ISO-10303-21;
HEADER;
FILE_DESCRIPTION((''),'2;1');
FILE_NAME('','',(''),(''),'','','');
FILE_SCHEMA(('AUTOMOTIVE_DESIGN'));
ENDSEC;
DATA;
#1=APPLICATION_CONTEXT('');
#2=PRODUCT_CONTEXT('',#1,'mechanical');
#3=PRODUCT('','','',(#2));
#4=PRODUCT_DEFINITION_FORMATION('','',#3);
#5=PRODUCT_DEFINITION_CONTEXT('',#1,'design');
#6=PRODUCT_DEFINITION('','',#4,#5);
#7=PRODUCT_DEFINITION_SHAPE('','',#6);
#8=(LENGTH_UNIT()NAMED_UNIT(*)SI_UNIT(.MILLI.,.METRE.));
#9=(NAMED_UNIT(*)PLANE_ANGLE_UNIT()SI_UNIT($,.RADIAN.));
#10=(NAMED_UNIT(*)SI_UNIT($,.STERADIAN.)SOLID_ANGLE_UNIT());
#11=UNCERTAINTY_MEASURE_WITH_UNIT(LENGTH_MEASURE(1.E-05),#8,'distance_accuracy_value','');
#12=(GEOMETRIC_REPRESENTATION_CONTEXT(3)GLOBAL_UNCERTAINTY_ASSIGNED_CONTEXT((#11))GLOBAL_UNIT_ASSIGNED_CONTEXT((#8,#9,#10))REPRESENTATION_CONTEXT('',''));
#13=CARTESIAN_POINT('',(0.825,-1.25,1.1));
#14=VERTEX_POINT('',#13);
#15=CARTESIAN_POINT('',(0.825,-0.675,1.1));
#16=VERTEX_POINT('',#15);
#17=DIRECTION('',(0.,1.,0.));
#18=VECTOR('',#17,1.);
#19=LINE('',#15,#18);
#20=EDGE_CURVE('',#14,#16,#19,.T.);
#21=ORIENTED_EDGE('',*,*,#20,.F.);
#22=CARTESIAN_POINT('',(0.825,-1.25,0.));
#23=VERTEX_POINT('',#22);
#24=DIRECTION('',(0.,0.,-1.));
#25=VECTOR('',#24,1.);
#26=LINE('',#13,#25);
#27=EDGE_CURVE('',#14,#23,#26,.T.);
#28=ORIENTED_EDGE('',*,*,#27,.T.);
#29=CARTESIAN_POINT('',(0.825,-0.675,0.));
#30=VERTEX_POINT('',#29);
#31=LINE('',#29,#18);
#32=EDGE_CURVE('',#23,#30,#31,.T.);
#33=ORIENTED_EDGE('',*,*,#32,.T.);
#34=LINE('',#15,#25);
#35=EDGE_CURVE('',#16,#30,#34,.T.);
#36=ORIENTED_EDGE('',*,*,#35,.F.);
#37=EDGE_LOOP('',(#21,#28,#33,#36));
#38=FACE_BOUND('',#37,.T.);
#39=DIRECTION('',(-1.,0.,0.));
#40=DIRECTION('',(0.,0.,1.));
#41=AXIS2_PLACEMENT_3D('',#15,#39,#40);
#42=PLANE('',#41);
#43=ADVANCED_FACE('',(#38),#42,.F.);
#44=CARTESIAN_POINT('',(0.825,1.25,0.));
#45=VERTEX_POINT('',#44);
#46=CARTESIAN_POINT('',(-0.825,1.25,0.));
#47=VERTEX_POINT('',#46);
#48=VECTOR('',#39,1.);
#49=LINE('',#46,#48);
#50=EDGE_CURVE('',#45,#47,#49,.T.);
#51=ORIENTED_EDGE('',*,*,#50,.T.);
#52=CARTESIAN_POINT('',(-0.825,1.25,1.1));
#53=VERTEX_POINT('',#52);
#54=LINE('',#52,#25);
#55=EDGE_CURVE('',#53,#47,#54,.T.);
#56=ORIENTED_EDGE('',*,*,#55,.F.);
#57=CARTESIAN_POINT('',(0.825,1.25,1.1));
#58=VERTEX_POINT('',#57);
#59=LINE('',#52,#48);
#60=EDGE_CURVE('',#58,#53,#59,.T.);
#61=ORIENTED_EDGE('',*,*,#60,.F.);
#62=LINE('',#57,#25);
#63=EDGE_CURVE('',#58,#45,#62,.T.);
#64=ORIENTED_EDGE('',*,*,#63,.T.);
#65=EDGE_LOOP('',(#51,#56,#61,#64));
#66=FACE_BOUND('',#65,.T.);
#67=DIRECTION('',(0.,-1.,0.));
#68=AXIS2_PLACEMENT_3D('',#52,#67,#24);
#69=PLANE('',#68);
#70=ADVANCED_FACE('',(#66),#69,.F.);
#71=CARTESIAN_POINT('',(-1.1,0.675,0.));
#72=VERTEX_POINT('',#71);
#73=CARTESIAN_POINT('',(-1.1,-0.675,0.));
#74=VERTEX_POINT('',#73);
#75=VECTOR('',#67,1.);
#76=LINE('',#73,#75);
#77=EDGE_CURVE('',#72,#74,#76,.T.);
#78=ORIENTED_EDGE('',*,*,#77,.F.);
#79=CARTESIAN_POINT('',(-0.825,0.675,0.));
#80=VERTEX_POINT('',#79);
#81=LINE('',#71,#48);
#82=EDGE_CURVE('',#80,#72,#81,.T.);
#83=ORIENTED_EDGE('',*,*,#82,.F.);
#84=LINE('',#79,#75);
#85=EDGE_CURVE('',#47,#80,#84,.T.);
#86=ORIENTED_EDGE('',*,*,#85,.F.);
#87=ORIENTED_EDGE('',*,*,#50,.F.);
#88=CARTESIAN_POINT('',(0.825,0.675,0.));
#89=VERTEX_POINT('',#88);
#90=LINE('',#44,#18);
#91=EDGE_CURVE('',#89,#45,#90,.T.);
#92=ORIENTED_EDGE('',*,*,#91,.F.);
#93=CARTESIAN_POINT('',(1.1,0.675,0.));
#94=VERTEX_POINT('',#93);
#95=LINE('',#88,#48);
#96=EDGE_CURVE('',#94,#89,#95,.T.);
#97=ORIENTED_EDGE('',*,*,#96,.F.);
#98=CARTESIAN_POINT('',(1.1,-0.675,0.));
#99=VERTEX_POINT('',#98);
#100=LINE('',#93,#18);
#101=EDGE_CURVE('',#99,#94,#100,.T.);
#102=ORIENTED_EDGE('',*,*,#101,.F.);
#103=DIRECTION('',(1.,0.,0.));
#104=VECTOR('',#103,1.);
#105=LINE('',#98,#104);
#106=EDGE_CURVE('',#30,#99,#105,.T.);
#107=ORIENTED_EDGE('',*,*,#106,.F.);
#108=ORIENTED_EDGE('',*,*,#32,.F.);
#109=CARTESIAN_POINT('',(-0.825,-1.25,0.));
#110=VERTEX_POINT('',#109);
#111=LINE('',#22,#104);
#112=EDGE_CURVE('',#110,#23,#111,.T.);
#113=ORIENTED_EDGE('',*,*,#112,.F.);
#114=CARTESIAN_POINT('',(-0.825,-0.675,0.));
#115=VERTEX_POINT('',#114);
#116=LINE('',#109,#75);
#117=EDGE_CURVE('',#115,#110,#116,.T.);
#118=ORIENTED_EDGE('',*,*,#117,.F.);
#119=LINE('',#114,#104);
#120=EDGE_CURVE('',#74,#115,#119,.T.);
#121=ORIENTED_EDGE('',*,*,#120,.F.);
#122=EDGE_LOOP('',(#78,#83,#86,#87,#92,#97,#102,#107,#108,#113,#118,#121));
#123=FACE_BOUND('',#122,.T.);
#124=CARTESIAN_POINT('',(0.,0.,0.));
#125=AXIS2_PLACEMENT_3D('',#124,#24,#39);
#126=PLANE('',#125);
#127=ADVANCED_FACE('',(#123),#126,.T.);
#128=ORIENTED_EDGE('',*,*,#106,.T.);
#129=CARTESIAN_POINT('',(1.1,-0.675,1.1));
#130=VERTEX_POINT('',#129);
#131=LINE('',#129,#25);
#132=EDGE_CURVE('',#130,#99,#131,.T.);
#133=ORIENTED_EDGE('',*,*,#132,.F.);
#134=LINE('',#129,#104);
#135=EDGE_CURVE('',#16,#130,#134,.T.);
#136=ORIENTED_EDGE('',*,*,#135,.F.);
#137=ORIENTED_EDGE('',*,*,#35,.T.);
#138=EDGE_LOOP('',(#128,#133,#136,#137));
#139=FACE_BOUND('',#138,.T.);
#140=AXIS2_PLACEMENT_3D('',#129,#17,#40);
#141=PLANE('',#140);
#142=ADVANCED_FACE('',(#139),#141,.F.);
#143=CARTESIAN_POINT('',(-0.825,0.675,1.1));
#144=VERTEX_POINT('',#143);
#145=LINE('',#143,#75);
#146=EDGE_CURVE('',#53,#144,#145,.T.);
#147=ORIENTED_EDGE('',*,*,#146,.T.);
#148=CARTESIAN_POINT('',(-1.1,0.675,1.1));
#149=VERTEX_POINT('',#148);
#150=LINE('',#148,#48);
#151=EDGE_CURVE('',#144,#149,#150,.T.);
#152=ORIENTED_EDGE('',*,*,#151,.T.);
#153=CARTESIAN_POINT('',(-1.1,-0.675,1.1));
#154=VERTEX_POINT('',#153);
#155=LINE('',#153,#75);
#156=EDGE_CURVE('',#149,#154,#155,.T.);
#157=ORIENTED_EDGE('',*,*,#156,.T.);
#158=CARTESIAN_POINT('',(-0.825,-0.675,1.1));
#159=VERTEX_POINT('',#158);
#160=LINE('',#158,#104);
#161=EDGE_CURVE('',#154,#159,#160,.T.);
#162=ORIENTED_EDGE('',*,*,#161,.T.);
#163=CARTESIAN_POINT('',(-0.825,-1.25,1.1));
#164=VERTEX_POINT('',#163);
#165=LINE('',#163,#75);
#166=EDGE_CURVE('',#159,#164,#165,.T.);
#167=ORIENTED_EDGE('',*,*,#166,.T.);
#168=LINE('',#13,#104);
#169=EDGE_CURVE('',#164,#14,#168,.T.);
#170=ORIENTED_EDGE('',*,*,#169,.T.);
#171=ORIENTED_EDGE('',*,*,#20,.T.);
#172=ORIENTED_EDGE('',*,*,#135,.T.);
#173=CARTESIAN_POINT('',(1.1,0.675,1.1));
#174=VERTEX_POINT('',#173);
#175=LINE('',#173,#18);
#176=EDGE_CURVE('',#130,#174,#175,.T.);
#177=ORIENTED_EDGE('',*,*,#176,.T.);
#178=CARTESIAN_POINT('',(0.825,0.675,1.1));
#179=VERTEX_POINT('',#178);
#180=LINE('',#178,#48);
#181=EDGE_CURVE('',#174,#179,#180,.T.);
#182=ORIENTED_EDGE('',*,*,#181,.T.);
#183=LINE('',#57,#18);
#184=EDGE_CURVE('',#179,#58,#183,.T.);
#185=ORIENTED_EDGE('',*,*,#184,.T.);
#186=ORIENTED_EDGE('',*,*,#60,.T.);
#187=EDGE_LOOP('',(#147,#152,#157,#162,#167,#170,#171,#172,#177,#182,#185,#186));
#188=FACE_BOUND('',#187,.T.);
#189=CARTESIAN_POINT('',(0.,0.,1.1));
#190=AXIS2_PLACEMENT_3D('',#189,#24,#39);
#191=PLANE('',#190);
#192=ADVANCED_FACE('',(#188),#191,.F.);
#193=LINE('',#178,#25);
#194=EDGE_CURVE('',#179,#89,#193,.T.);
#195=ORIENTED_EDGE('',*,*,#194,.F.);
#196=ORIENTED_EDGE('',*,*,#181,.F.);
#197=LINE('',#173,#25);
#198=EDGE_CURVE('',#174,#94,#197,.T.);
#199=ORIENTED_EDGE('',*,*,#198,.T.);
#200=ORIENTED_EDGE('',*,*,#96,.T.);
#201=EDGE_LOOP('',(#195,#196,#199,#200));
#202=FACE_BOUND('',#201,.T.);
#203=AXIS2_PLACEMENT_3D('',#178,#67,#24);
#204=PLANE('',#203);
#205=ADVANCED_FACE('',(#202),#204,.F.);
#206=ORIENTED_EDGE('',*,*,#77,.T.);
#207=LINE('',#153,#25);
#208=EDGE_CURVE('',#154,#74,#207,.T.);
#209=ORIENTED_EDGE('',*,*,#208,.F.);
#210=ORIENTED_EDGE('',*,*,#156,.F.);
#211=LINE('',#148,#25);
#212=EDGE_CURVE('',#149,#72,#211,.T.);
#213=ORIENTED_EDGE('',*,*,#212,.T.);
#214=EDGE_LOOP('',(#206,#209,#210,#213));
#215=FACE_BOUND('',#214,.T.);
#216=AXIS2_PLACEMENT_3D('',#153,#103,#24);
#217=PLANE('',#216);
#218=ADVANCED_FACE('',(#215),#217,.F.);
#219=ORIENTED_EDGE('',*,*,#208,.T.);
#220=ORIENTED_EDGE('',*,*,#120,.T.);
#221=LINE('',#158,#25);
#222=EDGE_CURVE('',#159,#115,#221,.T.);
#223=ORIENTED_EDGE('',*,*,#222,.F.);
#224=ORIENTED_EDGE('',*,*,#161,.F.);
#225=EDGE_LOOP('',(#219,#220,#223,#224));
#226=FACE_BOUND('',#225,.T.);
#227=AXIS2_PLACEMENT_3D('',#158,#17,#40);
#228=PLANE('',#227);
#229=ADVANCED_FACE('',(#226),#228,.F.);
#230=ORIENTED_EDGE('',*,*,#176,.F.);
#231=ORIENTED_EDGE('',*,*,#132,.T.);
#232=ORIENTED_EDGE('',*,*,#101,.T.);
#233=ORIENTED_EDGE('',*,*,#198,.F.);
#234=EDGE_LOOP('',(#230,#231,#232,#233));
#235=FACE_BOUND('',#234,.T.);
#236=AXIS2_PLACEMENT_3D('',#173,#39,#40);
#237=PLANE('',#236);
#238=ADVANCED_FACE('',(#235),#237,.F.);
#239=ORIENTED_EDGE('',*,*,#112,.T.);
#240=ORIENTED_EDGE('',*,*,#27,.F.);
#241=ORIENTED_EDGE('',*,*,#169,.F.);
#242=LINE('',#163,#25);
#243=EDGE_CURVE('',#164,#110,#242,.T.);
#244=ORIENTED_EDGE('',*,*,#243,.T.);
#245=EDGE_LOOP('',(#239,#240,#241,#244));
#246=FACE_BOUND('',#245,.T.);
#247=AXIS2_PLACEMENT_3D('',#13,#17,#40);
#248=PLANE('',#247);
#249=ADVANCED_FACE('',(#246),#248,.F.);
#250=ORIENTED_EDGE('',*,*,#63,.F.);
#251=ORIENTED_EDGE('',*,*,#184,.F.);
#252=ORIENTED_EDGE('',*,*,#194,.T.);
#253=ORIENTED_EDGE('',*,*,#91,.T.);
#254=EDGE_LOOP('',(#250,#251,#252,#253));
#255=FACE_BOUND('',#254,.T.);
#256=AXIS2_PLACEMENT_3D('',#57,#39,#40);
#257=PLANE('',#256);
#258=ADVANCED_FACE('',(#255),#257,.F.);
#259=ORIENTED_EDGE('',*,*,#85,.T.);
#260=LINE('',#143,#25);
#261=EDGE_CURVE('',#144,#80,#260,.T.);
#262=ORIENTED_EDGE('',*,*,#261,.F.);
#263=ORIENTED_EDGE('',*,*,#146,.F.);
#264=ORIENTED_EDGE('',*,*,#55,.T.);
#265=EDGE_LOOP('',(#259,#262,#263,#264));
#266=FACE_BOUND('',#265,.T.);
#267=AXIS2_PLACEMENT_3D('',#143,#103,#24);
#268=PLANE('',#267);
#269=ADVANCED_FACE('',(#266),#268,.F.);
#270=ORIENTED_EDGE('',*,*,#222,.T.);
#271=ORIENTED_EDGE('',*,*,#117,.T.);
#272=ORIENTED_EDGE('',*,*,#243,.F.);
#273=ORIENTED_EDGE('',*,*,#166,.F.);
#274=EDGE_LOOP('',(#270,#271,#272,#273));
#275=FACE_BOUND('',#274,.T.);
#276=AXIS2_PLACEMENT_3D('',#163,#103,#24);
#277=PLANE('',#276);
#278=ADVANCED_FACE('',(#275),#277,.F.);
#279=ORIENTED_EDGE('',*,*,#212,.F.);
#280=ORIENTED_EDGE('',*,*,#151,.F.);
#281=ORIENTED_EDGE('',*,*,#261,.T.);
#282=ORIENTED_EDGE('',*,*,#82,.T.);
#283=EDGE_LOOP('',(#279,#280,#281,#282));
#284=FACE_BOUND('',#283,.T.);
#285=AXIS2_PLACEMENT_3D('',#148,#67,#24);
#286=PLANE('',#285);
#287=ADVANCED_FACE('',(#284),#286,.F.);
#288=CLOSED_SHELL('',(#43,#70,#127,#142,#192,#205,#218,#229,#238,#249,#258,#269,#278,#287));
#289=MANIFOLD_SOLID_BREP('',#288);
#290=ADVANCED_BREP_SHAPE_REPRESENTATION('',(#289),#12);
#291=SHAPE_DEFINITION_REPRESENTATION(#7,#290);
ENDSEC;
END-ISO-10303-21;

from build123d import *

# Parameters (mm, degrees)
COMPONENT_OUTLINE_DEPTH = 1.1


with BuildPart() as part:
    # 草图1 → Component_Outline (new body)
    with BuildSketch(Plane.XY):
        Polygon((1.1, -0.675), (0.825, -0.675), (0.825, -1.25), (-0.825, -1.25), (-0.825, -0.675), (-1.1, -0.675), (-1.1, 0.675), (-0.825, 0.675), (-0.825, 1.25), (0.825, 1.25), (0.825, 0.675), (1.1, 0.675), align=None)
    extrude(amount=COMPONENT_OUTLINE_DEPTH)


solid = part.part
